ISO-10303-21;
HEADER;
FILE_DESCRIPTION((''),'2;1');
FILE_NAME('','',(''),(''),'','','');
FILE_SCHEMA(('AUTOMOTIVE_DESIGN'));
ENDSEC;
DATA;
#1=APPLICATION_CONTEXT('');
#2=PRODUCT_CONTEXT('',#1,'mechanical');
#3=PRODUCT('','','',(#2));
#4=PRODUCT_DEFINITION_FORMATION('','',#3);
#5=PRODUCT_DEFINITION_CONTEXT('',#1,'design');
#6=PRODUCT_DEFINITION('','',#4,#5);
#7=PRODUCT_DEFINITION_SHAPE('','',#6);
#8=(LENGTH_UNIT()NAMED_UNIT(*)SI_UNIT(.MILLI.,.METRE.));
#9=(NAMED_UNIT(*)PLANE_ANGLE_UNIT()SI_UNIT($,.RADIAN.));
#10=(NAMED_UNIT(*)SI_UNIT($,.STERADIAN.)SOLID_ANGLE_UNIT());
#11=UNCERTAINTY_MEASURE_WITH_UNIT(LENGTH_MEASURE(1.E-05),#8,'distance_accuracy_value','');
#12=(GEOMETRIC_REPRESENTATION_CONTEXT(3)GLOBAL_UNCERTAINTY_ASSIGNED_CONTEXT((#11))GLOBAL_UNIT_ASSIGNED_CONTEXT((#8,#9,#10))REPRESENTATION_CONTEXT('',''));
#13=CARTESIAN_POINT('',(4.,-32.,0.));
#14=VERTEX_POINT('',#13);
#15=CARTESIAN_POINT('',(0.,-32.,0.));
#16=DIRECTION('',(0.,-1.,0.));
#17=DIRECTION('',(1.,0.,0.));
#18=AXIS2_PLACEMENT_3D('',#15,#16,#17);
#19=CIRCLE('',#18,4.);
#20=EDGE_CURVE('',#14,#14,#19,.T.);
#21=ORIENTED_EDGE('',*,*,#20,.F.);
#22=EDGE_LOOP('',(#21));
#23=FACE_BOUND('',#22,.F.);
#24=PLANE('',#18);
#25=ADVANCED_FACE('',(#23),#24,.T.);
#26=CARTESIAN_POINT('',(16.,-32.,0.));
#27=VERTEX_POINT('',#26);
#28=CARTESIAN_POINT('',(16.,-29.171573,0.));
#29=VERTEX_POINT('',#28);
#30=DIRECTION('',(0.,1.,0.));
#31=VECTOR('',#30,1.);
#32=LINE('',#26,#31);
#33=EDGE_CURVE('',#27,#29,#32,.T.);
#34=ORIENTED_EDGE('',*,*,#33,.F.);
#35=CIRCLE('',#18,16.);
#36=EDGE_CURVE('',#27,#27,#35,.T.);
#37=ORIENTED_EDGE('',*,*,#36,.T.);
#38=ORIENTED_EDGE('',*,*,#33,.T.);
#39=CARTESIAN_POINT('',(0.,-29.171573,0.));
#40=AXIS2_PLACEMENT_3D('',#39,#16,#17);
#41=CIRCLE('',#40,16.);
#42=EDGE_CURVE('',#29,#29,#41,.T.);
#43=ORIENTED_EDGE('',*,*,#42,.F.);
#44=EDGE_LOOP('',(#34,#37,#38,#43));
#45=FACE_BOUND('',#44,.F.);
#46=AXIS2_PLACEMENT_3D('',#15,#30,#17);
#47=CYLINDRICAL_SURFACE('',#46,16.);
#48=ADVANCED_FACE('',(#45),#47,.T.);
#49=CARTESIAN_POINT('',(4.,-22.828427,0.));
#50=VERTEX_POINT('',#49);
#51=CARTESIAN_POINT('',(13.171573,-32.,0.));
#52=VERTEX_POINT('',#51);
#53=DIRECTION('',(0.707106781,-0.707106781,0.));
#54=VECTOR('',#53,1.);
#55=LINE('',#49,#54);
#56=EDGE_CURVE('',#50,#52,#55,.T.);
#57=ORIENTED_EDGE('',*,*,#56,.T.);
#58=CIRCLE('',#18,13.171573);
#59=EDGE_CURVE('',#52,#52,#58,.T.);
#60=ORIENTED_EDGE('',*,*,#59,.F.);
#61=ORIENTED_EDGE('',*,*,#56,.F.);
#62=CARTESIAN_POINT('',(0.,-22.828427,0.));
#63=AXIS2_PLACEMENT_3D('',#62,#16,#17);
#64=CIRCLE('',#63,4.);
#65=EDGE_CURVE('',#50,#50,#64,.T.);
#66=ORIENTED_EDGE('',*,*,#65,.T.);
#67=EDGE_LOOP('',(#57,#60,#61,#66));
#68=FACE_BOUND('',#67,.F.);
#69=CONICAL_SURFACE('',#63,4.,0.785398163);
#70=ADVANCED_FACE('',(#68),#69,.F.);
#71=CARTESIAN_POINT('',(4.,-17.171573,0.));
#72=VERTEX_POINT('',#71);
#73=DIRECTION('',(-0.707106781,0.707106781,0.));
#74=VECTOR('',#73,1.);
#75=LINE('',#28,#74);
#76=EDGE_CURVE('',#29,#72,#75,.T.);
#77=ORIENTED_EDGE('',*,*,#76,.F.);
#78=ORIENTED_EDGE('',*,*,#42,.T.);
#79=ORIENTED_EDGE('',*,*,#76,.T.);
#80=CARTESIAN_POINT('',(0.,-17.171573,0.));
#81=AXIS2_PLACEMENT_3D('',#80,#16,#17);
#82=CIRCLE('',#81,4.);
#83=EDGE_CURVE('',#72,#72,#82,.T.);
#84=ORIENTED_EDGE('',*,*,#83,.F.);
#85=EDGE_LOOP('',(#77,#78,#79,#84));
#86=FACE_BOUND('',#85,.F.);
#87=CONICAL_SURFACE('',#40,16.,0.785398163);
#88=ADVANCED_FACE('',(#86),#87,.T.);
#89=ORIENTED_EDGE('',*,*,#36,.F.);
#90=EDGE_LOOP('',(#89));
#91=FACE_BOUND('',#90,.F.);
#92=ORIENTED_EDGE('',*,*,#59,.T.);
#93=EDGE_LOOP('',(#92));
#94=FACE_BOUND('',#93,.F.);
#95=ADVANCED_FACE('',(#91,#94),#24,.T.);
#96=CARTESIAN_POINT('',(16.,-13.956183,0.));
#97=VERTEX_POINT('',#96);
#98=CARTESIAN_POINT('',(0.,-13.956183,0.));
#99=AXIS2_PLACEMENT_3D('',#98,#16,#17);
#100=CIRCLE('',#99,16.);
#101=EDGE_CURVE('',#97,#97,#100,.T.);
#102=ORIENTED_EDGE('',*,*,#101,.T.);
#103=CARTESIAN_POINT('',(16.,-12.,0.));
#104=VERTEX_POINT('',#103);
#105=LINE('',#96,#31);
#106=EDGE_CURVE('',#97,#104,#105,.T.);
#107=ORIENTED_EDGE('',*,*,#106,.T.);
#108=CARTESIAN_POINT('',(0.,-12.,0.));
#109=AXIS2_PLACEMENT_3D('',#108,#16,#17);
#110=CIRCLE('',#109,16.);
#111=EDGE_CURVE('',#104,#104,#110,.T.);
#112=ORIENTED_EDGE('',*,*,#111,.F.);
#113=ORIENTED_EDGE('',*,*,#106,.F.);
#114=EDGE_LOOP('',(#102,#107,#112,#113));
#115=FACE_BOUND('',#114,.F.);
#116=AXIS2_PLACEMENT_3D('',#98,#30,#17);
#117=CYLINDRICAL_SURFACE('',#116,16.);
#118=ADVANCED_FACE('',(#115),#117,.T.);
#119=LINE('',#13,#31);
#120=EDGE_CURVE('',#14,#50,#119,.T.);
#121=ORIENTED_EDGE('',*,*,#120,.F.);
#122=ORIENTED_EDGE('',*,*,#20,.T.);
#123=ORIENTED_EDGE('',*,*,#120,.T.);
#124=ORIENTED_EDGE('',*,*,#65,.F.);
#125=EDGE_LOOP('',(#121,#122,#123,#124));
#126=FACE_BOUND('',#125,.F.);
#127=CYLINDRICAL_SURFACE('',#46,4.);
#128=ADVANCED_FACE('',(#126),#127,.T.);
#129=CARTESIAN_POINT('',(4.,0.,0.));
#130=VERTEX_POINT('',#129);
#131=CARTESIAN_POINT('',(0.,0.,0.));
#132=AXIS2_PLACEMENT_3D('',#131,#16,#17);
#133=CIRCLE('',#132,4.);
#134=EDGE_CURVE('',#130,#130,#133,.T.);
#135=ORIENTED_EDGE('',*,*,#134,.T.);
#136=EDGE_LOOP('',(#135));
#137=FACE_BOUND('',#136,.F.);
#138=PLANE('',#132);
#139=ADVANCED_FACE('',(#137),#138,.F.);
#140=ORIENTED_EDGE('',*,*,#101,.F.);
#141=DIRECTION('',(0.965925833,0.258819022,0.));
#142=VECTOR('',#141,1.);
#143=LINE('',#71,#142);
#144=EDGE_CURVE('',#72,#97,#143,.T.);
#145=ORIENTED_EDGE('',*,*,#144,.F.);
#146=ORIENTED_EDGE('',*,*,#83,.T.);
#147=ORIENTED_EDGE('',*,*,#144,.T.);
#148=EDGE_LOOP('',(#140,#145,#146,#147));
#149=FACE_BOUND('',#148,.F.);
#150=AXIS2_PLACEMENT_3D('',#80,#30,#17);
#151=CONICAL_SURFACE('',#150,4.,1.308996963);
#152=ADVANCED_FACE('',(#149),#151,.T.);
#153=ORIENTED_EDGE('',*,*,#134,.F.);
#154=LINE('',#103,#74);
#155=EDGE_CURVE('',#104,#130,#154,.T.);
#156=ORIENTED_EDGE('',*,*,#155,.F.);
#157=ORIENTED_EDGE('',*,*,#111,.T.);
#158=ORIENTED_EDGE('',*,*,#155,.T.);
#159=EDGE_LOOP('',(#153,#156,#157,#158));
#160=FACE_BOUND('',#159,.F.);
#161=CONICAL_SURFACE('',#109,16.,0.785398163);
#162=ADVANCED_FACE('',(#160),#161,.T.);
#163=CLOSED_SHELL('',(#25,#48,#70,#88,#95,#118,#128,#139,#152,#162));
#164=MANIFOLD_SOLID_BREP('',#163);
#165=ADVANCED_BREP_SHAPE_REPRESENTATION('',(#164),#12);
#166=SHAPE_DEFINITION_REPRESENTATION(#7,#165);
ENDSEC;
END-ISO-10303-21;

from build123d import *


with BuildPart() as f1:
    # F0 (on Top) → F1 (revolve)
    with BuildSketch(Plane.XY):
        Polygon((4, 0), (0, 0), (0, -32), (4, -32), (4, -22.828427), (13.171573, -32), (16, -32), (16, -29.171573), (4, -17.171573), (16, -13.956183), (16, -12), align=None)
        Polygon((4, -13.030468), (4, -5.656854), (9.815386, -11.47224), align=None, mode=Mode.SUBTRACT)
        Polygon((9.815386, -11.47224), (4, -5.656854), (4, -13.030468), align=None)
    revolve(axis=Axis((0, -16, 0), (0, -1, 0)))


solid = f1.part
